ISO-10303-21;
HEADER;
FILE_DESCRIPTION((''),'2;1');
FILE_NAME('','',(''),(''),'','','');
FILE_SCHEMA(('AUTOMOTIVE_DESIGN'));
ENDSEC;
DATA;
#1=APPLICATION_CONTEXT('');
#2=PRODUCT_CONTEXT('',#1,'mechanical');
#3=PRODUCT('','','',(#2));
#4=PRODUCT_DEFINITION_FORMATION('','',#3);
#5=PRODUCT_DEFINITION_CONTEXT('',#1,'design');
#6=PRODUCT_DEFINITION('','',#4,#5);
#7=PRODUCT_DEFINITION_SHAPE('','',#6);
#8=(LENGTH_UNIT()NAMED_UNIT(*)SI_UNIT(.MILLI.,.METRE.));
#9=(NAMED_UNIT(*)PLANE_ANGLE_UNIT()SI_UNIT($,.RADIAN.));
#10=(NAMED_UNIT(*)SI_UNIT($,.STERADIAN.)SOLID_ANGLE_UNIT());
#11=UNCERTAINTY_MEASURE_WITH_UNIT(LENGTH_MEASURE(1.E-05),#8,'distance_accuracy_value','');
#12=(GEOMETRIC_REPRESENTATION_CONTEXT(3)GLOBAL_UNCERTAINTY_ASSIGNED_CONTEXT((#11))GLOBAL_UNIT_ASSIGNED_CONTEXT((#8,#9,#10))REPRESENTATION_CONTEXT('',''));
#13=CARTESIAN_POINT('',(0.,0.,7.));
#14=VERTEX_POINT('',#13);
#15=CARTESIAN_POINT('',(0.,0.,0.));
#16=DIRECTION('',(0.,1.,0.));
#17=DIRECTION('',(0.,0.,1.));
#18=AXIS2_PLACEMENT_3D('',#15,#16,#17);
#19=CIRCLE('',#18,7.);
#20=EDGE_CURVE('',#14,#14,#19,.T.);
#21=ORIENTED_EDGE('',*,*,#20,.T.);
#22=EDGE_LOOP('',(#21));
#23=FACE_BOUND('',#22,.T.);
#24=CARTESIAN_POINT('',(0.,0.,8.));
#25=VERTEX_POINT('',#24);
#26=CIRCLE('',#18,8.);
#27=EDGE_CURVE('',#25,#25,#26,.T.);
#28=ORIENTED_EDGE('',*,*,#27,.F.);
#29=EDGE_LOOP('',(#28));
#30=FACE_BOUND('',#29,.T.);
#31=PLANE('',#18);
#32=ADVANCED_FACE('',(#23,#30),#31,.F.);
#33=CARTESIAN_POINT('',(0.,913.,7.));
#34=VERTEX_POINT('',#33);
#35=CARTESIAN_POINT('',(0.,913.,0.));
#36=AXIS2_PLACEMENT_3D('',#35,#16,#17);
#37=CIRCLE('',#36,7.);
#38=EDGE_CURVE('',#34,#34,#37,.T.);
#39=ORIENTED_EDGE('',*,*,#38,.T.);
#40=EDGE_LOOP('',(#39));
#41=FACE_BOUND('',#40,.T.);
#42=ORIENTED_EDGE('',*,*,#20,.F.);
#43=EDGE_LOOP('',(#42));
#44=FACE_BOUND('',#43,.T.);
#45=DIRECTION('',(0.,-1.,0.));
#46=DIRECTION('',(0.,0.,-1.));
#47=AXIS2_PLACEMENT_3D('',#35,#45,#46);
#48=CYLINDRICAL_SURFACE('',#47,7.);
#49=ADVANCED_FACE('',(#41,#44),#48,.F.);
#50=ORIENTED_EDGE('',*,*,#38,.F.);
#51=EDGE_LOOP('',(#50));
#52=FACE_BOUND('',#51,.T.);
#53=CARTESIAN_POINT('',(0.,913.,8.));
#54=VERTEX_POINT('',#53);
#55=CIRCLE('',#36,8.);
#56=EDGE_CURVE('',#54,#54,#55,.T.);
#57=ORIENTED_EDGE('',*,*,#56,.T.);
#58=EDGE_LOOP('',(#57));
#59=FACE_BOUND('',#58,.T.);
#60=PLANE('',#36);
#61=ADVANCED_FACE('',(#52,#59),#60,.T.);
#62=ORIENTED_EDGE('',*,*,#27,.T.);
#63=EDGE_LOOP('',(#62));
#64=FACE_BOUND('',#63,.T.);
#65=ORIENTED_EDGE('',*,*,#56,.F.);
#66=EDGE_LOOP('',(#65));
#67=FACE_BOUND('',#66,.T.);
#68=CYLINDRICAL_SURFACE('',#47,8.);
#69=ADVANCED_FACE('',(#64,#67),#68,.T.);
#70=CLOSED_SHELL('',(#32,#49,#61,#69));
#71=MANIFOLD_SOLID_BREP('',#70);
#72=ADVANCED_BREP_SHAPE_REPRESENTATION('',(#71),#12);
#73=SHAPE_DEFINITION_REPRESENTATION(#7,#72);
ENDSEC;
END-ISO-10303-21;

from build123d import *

# Parameters (mm, degrees)
SKETCH_1_R      = 8
SKETCH_1_R_2    = 7
EXTRUDE_1_DEPTH = 913


with BuildPart() as part:
    # 草图1 → 凸台-拉伸1 (new body)
    with BuildSketch(Plane(origin=(0, 0, 0), x_dir=(1, 0, 0), z_dir=(0, 1, 0))):
        Circle(SKETCH_1_R)
        Circle(SKETCH_1_R_2, mode=Mode.SUBTRACT)
    extrude(amount=EXTRUDE_1_DEPTH)


solid = part.part
